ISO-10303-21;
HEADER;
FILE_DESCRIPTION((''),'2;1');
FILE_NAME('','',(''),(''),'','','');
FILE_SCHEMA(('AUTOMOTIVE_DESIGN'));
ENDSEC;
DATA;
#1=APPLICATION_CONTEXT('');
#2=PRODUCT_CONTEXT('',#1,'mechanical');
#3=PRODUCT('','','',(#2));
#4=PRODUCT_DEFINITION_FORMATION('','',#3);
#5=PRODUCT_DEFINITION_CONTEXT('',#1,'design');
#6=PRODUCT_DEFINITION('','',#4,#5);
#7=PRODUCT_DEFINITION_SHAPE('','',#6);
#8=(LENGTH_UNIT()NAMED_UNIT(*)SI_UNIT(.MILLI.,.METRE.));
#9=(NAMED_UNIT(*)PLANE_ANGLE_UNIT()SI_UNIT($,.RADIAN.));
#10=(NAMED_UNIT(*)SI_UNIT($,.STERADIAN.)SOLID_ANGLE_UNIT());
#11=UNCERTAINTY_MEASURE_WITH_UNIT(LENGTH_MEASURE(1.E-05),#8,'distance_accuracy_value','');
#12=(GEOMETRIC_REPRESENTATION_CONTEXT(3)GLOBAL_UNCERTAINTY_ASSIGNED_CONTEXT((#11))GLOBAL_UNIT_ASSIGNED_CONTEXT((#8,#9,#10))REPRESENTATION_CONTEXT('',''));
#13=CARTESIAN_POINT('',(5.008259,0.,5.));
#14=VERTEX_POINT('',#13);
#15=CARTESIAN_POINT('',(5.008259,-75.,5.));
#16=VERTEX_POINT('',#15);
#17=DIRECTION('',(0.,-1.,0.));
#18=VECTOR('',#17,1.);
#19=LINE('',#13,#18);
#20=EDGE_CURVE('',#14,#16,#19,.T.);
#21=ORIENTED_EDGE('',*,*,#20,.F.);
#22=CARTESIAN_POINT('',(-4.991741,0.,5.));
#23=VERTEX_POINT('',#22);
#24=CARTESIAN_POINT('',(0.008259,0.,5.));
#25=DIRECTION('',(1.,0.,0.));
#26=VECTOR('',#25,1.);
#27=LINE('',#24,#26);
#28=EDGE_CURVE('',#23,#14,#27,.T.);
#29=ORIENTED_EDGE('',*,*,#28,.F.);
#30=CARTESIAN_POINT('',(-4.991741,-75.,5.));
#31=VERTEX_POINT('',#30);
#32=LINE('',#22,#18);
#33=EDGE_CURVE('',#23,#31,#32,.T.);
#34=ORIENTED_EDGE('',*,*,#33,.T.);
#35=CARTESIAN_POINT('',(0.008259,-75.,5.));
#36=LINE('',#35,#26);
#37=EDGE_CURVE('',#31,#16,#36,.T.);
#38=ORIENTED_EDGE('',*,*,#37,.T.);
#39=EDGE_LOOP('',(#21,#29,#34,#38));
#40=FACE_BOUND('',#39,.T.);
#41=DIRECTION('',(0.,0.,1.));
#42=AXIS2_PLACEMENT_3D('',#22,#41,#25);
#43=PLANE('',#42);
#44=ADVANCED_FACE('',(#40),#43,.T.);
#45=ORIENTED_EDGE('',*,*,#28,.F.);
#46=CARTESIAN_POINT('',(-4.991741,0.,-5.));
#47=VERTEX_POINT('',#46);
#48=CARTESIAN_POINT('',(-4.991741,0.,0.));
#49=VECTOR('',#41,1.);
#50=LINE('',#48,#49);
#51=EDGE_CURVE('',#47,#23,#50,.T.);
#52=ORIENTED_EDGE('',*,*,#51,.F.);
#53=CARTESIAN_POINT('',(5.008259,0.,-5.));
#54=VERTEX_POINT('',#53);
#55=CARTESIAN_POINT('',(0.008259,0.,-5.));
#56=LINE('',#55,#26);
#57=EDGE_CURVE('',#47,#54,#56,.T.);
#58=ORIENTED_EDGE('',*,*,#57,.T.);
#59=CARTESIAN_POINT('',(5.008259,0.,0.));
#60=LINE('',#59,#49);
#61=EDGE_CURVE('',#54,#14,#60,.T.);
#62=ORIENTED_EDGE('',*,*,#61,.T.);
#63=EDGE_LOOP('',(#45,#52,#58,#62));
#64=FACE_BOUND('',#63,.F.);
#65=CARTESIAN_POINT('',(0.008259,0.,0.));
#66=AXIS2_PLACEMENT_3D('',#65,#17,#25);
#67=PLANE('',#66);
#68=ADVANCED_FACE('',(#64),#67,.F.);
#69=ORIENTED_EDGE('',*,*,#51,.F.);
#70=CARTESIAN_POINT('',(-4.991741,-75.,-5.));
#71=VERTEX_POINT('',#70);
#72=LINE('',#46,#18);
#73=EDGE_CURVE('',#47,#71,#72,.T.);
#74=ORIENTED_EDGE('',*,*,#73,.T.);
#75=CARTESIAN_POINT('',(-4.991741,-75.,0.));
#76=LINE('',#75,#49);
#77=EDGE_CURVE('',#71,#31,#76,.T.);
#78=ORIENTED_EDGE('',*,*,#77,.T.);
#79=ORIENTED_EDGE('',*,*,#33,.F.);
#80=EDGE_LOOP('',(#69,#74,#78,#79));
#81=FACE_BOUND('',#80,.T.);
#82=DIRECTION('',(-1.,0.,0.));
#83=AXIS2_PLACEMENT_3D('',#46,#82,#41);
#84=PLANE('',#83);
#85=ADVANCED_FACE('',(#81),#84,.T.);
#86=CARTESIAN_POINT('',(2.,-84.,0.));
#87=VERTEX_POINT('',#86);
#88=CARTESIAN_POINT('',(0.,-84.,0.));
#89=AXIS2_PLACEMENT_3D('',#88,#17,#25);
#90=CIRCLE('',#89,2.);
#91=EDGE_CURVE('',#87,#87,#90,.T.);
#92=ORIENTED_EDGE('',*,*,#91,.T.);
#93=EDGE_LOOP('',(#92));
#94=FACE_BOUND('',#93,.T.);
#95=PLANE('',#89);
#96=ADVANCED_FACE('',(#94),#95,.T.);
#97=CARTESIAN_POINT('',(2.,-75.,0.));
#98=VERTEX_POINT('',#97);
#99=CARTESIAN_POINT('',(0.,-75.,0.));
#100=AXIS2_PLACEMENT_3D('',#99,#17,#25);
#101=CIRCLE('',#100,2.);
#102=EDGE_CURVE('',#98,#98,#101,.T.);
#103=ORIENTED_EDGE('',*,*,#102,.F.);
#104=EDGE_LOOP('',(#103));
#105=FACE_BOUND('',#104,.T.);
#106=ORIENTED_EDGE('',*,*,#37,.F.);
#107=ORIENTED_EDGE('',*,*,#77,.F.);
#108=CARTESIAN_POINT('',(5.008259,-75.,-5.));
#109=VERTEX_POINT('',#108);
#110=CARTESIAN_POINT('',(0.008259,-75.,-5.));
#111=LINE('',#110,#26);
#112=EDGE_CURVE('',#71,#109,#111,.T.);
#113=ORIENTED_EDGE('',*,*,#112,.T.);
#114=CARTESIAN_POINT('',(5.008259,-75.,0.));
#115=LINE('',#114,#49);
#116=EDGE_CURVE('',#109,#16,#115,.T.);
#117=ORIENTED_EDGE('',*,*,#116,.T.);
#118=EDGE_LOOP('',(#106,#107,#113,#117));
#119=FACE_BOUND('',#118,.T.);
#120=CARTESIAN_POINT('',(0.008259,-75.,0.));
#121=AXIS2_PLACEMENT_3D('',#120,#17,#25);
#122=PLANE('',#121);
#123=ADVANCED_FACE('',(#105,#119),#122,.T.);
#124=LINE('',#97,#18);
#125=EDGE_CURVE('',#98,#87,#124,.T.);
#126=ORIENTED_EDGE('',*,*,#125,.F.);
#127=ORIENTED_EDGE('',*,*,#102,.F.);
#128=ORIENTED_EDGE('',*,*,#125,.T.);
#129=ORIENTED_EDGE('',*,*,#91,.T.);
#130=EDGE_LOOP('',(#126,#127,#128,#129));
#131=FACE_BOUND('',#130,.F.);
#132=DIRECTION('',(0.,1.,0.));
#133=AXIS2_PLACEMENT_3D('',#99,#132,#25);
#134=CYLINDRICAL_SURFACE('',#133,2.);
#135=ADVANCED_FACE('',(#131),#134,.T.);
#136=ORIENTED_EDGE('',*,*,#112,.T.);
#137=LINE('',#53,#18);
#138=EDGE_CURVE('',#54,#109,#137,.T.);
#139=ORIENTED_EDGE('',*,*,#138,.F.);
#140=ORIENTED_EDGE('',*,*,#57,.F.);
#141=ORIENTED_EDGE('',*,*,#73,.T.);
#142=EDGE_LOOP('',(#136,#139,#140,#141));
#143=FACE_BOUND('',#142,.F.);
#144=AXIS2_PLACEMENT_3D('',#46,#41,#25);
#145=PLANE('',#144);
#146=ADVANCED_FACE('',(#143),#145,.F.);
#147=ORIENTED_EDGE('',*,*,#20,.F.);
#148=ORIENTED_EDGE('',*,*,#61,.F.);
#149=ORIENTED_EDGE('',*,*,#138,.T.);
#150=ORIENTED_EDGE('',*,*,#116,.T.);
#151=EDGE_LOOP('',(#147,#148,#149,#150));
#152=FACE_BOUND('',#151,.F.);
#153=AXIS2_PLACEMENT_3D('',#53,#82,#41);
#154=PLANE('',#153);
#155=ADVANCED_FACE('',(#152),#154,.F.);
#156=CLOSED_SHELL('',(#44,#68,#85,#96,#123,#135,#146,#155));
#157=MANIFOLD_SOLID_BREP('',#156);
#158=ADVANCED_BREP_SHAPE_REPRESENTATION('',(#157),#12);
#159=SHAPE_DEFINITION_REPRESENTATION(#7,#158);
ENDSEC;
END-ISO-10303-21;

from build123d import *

# Parameters (mm, degrees)
F0_W     = 10
F0_H     = 10
F1_DEPTH = 75
F2_R     = 2
F3_DEPTH = 9


with BuildPart() as f1:
    # F0 (on Front) → F1 (new body)
    with BuildSketch(Plane.XZ):
        with Locations((0.008259, 0)):
            Rectangle(F0_W, F0_H)
    extrude(amount=F1_DEPTH)

    # F2 (on face) → F3 (join)
    with BuildSketch(Plane.XZ.offset(75)):
        Circle(F2_R)
    extrude(amount=F3_DEPTH)


solid = f1.part
